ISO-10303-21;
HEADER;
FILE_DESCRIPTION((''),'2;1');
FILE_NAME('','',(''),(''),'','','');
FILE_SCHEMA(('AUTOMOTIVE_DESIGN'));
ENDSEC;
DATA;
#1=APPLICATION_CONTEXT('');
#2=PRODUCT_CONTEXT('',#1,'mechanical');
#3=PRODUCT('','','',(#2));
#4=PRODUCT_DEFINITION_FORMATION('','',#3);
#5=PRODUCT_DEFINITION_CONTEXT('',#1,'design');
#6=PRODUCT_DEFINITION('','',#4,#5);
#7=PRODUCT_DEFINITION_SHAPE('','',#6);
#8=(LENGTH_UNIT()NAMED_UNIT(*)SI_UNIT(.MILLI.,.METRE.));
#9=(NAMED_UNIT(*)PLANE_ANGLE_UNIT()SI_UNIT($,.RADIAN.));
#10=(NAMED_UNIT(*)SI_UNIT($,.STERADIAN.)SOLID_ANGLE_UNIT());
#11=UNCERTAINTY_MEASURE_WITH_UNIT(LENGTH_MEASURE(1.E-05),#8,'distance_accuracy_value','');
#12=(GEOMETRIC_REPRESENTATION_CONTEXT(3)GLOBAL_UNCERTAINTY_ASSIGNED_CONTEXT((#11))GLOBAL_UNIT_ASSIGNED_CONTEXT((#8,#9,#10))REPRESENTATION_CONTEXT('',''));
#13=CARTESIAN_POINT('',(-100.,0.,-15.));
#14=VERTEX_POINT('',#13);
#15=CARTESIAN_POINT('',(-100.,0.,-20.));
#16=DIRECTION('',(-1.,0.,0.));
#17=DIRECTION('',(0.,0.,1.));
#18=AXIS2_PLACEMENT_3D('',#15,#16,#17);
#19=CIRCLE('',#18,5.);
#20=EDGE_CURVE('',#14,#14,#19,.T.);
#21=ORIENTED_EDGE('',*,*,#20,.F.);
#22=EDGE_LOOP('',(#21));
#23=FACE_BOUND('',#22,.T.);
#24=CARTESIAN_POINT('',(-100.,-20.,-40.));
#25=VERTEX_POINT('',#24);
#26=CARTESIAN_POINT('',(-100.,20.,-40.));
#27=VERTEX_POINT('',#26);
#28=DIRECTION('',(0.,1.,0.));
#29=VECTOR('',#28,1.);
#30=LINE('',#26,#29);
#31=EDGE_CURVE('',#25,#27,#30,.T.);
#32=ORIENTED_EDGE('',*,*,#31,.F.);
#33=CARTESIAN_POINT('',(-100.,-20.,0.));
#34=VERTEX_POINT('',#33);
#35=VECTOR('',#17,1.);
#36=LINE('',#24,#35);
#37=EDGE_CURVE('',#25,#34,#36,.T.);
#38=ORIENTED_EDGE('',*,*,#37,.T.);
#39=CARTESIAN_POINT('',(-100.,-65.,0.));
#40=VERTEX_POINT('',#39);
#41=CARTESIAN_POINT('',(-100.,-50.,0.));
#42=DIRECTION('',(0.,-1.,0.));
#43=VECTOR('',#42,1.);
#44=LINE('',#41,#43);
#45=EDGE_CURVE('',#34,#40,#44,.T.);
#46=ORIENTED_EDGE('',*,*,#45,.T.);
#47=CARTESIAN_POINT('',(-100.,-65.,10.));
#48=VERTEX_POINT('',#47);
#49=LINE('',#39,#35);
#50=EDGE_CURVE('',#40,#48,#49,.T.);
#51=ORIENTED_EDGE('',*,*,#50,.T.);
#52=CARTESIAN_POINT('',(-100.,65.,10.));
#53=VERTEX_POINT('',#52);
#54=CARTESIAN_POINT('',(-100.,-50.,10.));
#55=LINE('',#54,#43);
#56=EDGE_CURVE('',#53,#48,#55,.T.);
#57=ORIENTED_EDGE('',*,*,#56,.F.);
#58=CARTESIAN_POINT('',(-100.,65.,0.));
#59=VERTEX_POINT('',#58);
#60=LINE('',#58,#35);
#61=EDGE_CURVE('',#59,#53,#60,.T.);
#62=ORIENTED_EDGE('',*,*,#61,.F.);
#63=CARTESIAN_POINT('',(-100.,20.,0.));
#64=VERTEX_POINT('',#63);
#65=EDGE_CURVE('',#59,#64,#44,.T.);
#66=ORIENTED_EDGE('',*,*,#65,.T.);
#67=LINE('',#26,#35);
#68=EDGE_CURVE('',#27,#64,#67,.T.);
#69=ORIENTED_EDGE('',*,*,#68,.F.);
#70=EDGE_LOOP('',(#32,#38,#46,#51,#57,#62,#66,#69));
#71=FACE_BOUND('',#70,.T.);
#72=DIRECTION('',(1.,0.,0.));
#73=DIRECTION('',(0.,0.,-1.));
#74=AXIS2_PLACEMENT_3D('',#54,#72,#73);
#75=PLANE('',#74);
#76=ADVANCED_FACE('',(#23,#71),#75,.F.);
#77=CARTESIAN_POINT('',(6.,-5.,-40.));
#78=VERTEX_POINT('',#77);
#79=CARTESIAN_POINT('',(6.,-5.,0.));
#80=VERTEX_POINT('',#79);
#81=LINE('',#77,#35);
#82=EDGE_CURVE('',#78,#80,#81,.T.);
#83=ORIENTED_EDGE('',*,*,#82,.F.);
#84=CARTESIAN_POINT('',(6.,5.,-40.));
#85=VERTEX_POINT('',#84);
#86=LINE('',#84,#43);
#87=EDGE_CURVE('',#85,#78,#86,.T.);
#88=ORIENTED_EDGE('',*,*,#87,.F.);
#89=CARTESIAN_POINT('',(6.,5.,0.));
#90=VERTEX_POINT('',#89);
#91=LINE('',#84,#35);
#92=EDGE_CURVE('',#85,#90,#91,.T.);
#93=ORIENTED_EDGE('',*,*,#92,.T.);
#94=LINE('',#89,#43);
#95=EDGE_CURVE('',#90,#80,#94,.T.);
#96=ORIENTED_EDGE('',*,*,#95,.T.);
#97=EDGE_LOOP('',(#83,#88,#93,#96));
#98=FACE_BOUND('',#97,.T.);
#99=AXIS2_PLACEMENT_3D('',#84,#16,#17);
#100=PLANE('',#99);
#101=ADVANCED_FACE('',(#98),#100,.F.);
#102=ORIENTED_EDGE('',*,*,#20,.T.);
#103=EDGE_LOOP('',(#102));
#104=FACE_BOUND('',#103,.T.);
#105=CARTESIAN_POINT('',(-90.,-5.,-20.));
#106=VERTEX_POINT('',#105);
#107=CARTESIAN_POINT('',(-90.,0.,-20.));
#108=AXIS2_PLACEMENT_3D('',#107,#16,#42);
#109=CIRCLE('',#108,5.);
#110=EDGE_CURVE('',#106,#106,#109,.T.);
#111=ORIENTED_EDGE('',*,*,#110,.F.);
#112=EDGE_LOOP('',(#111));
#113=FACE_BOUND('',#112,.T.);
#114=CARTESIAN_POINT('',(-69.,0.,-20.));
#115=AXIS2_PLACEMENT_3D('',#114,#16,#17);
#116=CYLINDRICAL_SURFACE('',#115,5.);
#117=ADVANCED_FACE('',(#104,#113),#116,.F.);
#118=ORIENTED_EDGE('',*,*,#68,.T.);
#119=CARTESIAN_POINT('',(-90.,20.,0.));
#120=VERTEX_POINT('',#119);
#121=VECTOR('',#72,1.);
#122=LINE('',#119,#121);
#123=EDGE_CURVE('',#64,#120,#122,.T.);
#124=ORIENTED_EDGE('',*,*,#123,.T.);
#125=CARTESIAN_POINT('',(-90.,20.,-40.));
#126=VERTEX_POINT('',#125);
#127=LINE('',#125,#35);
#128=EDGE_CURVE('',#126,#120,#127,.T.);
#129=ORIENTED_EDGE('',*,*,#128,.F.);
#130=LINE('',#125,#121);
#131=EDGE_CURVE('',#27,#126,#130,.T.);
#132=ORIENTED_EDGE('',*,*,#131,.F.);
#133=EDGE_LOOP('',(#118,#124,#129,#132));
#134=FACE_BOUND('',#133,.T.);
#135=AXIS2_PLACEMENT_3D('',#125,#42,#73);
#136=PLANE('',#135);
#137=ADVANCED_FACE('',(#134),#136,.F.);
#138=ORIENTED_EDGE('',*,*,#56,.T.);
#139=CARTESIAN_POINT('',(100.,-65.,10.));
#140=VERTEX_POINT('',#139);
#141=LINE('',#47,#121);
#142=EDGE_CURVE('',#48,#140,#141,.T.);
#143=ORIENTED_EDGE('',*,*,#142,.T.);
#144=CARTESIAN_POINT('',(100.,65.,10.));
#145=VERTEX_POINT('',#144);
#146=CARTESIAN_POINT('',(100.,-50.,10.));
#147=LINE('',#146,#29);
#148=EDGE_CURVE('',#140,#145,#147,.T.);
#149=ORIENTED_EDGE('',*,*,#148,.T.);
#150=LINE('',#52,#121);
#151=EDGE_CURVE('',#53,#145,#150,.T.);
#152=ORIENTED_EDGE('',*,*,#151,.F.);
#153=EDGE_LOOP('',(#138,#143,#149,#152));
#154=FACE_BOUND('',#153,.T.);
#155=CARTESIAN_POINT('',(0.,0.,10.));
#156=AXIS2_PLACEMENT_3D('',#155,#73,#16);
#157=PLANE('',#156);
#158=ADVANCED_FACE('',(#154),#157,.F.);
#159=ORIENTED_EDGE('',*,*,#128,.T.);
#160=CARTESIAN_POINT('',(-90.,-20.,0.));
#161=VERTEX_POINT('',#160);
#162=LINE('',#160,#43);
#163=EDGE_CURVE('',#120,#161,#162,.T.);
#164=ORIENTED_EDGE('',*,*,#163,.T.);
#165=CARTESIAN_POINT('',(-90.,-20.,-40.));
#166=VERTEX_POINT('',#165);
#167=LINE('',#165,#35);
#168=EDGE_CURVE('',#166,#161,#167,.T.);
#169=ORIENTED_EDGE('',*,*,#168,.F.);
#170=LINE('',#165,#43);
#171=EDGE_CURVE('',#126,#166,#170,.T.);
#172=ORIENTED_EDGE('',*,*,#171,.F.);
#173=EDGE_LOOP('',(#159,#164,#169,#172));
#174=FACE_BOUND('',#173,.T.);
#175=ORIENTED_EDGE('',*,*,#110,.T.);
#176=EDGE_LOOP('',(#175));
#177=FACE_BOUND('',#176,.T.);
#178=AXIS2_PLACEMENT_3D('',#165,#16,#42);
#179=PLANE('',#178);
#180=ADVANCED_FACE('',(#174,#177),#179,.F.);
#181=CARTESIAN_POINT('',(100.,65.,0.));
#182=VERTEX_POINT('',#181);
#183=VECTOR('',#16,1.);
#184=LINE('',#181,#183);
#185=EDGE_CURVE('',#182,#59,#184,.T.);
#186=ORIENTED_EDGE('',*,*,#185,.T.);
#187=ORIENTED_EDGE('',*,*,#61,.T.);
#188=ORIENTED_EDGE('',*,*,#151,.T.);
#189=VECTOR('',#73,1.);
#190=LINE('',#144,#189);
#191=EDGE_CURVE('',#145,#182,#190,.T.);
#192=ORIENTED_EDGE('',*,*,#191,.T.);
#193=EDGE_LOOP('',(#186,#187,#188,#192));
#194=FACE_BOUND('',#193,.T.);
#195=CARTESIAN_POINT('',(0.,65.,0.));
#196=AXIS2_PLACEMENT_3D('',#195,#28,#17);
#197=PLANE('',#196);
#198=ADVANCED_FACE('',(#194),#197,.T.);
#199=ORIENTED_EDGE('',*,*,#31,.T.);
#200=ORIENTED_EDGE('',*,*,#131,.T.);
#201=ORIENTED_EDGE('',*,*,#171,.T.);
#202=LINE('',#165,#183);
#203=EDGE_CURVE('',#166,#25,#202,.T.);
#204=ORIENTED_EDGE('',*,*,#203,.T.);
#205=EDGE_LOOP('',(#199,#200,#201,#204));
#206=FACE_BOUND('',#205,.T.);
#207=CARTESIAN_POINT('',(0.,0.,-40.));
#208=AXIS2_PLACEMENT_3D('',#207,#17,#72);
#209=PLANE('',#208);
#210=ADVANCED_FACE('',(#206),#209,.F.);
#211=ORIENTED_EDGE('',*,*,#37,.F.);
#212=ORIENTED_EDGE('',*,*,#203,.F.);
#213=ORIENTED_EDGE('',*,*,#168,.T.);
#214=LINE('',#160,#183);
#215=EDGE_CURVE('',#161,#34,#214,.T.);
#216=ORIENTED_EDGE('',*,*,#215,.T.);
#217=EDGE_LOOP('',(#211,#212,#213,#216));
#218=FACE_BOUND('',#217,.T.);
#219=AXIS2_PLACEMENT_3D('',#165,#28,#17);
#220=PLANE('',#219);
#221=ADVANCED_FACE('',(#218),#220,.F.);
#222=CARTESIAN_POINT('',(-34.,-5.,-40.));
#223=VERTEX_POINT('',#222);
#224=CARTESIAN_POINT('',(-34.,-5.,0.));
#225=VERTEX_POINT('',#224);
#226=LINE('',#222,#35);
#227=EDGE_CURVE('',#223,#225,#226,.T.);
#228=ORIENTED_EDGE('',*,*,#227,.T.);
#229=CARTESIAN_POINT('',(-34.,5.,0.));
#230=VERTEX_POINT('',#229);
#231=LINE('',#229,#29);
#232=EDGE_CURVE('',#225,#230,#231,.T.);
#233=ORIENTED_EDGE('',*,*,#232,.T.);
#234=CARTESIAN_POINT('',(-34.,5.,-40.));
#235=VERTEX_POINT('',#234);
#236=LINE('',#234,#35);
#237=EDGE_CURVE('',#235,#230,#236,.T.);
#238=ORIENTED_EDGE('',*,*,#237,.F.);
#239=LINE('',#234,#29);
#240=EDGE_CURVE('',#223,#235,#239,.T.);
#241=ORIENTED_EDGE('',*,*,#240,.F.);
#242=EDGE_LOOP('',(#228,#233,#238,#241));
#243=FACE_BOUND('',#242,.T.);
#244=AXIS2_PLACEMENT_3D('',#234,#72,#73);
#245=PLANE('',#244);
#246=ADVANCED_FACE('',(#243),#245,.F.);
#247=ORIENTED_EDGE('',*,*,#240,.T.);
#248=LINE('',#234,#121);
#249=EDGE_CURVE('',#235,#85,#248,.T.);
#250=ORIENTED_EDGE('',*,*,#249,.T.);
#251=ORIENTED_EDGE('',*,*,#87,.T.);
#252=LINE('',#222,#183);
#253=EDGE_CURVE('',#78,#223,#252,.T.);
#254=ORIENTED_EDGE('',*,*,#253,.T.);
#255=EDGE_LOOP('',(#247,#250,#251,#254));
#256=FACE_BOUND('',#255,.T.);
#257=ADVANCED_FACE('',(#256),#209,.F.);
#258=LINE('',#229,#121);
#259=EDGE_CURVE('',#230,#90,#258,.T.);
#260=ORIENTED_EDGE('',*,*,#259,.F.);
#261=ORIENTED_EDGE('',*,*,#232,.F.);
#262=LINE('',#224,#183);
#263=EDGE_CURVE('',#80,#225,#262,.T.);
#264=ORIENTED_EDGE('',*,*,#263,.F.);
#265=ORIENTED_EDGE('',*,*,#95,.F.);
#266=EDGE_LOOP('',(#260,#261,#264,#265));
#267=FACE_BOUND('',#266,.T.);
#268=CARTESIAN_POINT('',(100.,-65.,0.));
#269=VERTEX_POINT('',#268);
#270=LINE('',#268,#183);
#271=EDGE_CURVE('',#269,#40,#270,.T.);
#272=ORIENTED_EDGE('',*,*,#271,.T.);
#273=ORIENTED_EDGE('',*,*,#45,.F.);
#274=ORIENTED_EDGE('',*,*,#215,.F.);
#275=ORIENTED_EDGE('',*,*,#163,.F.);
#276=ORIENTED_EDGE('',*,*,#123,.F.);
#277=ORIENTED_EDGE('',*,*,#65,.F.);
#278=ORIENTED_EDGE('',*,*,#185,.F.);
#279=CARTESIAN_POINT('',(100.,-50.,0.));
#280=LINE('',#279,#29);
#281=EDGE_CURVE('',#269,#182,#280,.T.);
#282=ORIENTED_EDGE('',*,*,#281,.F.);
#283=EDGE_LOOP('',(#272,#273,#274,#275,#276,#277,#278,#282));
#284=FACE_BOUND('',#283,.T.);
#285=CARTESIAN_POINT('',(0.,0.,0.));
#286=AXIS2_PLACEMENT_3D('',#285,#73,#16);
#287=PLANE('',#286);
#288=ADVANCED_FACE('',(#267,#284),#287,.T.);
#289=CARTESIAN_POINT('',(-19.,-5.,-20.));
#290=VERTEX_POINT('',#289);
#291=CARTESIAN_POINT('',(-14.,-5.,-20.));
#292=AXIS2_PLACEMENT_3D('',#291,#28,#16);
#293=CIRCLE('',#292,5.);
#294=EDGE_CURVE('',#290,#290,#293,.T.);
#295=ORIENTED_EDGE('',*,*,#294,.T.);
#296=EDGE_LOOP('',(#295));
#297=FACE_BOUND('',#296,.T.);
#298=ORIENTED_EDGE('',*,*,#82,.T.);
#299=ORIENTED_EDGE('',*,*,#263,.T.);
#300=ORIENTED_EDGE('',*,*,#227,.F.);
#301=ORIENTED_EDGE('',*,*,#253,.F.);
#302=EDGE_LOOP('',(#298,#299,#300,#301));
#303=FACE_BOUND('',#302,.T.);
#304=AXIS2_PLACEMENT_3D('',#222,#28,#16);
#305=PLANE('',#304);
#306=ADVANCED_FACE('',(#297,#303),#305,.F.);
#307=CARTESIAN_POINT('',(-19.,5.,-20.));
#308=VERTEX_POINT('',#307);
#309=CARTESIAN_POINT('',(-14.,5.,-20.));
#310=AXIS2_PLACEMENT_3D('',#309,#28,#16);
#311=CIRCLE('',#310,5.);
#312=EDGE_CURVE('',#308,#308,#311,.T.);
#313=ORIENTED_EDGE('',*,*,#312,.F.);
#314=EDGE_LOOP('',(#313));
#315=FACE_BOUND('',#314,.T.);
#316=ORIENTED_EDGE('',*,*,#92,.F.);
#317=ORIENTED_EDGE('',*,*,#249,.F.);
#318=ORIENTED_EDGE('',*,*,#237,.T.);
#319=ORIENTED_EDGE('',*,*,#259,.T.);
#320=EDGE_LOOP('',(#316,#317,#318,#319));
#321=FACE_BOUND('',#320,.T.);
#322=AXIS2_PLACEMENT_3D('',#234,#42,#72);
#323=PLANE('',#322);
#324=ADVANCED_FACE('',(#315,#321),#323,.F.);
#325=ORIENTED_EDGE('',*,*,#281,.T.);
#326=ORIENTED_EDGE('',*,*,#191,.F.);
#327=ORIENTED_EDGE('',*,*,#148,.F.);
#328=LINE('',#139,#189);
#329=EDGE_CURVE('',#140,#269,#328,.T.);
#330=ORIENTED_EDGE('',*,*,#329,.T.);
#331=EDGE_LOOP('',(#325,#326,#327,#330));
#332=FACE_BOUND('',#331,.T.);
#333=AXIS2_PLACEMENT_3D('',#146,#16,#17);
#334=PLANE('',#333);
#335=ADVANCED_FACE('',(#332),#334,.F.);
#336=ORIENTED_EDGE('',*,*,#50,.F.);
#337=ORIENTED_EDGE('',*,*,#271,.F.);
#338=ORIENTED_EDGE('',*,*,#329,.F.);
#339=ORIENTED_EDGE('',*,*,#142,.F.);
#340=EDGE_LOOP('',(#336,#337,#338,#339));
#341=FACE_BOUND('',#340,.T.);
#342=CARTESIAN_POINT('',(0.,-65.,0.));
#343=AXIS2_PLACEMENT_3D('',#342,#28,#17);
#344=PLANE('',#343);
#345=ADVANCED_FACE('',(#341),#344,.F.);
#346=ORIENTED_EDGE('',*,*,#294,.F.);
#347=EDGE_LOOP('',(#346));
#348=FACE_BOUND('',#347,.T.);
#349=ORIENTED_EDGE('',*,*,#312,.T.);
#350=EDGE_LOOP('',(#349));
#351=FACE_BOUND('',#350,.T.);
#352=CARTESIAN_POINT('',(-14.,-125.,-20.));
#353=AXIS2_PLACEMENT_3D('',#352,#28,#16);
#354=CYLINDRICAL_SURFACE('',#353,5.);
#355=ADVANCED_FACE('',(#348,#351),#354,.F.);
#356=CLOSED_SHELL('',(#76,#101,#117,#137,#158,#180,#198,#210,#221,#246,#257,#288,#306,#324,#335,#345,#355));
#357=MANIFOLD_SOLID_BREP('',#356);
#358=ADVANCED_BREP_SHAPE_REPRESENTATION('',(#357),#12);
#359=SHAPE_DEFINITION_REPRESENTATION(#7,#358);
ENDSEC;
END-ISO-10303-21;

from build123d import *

# Parameters (mm, degrees)
SKETCH1_W           = 200
SKETCH1_H           = 100
BOSS_EXTRUDE1_DEPTH = 10
SKETCH2_W           = 40
SKETCH2_H           = 10
SKETCH2_W_2         = 10
SKETCH2_H_2         = 40
BOSS_EXTRUDE2_DEPTH = 40
SKETCH4_R           = 5
CUT_EXTRUDE2_DEPTH  = 31
SKETCH7_W           = 200
SKETCH7_H           = 10
BOSS_EXTRUDE3_DEPTH = 65
SKETCH9_R           = 5
CUT_EXTRUDE4_DEPTH  = 130


with BuildPart() as part:
    # Sketch1 → Boss-Extrude1 (new body)
    with BuildSketch(Plane.XY):
        Rectangle(SKETCH1_W, SKETCH1_H)
    extrude(amount=BOSS_EXTRUDE1_DEPTH)

    # Sketch2 → Boss-Extrude2 (add)
    with BuildSketch(Plane(origin=(0, 0, 0), x_dir=(-1, 0, 0), z_dir=(0, 0, -1))):
        with Locations((14, 0)):
            Rectangle(SKETCH2_W, SKETCH2_H)
        with Locations((95, 0)):
            Rectangle(SKETCH2_W_2, SKETCH2_H_2)
    extrude(amount=BOSS_EXTRUDE2_DEPTH)

    # Sketch4 → Cut-Extrude2 (cut)
    with BuildSketch(Plane.ZY.offset(100)):
        with Locations((-20, 0)):
            Circle(SKETCH4_R)
    extrude(amount=-CUT_EXTRUDE2_DEPTH, mode=Mode.SUBTRACT)

    # Sketch7 → Boss-Extrude3 (add, symmetric)
    with BuildSketch(Plane(origin=(0, 0, 0), x_dir=(1, 0, 0), z_dir=(0, 1, 0))):
        with Locations((0, -5)):
            Rectangle(SKETCH7_W, SKETCH7_H)
    extrude(amount=BOSS_EXTRUDE3_DEPTH, both=True)

    # Sketch9 → Cut-Extrude4 (cut)
    with BuildSketch(Plane(origin=(0, 5, 0), x_dir=(1, 0, 0), z_dir=(0, 1, 0))):
        with Locations((-14, 20)):
            Circle(SKETCH9_R)
    extrude(amount=-CUT_EXTRUDE4_DEPTH, mode=Mode.SUBTRACT)


solid = part.part
